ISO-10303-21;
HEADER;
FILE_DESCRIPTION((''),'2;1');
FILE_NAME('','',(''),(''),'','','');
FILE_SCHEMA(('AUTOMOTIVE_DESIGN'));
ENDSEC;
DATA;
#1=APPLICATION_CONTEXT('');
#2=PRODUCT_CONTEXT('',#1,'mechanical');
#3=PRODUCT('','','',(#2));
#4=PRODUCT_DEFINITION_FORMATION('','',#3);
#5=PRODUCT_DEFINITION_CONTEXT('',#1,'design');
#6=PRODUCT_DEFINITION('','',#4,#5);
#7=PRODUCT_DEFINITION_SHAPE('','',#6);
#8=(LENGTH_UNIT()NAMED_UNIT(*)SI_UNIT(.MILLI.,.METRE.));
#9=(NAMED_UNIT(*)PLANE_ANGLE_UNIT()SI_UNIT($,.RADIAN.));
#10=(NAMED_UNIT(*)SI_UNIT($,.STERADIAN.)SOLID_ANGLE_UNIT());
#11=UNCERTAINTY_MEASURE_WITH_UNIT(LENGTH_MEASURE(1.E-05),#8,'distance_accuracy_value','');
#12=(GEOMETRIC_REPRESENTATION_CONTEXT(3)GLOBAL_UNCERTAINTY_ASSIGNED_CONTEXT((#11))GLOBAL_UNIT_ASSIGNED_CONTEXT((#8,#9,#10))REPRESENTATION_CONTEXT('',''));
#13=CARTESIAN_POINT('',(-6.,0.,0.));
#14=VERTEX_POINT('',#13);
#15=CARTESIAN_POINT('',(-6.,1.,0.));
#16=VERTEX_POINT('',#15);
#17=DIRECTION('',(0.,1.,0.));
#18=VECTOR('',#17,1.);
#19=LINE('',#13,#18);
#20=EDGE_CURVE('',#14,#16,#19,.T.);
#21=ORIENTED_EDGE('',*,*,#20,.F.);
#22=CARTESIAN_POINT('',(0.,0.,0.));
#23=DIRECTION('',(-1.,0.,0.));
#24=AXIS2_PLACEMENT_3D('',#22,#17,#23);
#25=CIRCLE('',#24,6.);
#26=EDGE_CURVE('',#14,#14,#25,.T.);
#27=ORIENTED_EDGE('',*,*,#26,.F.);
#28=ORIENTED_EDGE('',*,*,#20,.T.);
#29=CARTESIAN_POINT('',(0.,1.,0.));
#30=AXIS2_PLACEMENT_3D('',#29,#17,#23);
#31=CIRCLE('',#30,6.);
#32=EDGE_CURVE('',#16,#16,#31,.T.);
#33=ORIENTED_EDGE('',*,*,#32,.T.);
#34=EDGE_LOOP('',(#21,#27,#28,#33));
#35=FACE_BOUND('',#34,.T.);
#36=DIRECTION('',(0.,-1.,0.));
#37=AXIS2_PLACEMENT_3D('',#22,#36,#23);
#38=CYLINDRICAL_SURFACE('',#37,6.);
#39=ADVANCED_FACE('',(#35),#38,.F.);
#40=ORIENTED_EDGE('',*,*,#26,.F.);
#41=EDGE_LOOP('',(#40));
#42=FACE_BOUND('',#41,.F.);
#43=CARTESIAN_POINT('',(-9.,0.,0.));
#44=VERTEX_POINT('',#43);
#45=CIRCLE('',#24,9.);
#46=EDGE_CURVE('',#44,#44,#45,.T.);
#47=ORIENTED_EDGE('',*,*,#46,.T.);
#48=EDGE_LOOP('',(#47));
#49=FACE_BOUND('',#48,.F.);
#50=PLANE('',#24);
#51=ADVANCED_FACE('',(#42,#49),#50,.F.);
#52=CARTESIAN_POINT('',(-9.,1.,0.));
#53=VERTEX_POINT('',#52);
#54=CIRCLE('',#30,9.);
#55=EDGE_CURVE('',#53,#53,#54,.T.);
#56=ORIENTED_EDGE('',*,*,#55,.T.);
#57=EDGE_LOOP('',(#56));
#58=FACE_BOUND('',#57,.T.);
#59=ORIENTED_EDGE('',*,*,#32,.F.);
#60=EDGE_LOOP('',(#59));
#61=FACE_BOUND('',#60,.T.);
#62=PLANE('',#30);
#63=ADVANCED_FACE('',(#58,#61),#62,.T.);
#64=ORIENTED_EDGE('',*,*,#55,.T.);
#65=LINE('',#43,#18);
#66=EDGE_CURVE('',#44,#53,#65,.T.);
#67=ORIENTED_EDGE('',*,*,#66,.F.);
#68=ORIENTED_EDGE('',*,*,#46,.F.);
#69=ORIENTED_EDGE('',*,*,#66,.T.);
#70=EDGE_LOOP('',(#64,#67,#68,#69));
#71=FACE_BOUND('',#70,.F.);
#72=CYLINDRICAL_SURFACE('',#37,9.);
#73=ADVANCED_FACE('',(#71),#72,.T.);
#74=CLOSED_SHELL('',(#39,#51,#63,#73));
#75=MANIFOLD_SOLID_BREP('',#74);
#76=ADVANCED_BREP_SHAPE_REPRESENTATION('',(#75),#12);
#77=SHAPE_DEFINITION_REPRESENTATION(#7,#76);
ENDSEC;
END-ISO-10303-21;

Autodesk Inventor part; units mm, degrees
ref_plane "YZ Plane" through (0, 0, 0) normal (1, 0, 0) x (0, 1, 0)
ref_plane "XZ Plane" through (0, 0, 0) normal (0, 1, 0) x (-1, 0, 0)
ref_plane "XY Plane" through (0, 0, 0) normal (0, 0, 1) x (1, 0, 0)
sketch "Sketch1" plane through (0, 0, 0) normal (0, 1, 0) x (-1, 0, 0)
  circle A0 centre (0, 0) radius 6
  line L0 (4.7625, 2.7496) -> (4.7625, -2.7496)
  line L1 (4.7625, -2.7496) -> (0, -5.4993)
  line L2 (0, -5.4993) -> (-4.7625, -2.7496)
  line L3 (-4.7625, -2.7496) -> (-4.7625, 2.7496)
  line L4 (-4.7625, 2.7496) -> (0, 5.4993)
  line L5 (0, 5.4993) -> (4.7625, 2.7496)
  circle A1 centre (0, 0) radius 9
  dimension "d0" = 9.525
  dimension "d1" = 12
  dimension "d2" = 18
extrude "Extrusion1" add sketch "Sketch1" along normal blind 1 contours A1
properties part number "1mm 0.375in Hex Spacer"
